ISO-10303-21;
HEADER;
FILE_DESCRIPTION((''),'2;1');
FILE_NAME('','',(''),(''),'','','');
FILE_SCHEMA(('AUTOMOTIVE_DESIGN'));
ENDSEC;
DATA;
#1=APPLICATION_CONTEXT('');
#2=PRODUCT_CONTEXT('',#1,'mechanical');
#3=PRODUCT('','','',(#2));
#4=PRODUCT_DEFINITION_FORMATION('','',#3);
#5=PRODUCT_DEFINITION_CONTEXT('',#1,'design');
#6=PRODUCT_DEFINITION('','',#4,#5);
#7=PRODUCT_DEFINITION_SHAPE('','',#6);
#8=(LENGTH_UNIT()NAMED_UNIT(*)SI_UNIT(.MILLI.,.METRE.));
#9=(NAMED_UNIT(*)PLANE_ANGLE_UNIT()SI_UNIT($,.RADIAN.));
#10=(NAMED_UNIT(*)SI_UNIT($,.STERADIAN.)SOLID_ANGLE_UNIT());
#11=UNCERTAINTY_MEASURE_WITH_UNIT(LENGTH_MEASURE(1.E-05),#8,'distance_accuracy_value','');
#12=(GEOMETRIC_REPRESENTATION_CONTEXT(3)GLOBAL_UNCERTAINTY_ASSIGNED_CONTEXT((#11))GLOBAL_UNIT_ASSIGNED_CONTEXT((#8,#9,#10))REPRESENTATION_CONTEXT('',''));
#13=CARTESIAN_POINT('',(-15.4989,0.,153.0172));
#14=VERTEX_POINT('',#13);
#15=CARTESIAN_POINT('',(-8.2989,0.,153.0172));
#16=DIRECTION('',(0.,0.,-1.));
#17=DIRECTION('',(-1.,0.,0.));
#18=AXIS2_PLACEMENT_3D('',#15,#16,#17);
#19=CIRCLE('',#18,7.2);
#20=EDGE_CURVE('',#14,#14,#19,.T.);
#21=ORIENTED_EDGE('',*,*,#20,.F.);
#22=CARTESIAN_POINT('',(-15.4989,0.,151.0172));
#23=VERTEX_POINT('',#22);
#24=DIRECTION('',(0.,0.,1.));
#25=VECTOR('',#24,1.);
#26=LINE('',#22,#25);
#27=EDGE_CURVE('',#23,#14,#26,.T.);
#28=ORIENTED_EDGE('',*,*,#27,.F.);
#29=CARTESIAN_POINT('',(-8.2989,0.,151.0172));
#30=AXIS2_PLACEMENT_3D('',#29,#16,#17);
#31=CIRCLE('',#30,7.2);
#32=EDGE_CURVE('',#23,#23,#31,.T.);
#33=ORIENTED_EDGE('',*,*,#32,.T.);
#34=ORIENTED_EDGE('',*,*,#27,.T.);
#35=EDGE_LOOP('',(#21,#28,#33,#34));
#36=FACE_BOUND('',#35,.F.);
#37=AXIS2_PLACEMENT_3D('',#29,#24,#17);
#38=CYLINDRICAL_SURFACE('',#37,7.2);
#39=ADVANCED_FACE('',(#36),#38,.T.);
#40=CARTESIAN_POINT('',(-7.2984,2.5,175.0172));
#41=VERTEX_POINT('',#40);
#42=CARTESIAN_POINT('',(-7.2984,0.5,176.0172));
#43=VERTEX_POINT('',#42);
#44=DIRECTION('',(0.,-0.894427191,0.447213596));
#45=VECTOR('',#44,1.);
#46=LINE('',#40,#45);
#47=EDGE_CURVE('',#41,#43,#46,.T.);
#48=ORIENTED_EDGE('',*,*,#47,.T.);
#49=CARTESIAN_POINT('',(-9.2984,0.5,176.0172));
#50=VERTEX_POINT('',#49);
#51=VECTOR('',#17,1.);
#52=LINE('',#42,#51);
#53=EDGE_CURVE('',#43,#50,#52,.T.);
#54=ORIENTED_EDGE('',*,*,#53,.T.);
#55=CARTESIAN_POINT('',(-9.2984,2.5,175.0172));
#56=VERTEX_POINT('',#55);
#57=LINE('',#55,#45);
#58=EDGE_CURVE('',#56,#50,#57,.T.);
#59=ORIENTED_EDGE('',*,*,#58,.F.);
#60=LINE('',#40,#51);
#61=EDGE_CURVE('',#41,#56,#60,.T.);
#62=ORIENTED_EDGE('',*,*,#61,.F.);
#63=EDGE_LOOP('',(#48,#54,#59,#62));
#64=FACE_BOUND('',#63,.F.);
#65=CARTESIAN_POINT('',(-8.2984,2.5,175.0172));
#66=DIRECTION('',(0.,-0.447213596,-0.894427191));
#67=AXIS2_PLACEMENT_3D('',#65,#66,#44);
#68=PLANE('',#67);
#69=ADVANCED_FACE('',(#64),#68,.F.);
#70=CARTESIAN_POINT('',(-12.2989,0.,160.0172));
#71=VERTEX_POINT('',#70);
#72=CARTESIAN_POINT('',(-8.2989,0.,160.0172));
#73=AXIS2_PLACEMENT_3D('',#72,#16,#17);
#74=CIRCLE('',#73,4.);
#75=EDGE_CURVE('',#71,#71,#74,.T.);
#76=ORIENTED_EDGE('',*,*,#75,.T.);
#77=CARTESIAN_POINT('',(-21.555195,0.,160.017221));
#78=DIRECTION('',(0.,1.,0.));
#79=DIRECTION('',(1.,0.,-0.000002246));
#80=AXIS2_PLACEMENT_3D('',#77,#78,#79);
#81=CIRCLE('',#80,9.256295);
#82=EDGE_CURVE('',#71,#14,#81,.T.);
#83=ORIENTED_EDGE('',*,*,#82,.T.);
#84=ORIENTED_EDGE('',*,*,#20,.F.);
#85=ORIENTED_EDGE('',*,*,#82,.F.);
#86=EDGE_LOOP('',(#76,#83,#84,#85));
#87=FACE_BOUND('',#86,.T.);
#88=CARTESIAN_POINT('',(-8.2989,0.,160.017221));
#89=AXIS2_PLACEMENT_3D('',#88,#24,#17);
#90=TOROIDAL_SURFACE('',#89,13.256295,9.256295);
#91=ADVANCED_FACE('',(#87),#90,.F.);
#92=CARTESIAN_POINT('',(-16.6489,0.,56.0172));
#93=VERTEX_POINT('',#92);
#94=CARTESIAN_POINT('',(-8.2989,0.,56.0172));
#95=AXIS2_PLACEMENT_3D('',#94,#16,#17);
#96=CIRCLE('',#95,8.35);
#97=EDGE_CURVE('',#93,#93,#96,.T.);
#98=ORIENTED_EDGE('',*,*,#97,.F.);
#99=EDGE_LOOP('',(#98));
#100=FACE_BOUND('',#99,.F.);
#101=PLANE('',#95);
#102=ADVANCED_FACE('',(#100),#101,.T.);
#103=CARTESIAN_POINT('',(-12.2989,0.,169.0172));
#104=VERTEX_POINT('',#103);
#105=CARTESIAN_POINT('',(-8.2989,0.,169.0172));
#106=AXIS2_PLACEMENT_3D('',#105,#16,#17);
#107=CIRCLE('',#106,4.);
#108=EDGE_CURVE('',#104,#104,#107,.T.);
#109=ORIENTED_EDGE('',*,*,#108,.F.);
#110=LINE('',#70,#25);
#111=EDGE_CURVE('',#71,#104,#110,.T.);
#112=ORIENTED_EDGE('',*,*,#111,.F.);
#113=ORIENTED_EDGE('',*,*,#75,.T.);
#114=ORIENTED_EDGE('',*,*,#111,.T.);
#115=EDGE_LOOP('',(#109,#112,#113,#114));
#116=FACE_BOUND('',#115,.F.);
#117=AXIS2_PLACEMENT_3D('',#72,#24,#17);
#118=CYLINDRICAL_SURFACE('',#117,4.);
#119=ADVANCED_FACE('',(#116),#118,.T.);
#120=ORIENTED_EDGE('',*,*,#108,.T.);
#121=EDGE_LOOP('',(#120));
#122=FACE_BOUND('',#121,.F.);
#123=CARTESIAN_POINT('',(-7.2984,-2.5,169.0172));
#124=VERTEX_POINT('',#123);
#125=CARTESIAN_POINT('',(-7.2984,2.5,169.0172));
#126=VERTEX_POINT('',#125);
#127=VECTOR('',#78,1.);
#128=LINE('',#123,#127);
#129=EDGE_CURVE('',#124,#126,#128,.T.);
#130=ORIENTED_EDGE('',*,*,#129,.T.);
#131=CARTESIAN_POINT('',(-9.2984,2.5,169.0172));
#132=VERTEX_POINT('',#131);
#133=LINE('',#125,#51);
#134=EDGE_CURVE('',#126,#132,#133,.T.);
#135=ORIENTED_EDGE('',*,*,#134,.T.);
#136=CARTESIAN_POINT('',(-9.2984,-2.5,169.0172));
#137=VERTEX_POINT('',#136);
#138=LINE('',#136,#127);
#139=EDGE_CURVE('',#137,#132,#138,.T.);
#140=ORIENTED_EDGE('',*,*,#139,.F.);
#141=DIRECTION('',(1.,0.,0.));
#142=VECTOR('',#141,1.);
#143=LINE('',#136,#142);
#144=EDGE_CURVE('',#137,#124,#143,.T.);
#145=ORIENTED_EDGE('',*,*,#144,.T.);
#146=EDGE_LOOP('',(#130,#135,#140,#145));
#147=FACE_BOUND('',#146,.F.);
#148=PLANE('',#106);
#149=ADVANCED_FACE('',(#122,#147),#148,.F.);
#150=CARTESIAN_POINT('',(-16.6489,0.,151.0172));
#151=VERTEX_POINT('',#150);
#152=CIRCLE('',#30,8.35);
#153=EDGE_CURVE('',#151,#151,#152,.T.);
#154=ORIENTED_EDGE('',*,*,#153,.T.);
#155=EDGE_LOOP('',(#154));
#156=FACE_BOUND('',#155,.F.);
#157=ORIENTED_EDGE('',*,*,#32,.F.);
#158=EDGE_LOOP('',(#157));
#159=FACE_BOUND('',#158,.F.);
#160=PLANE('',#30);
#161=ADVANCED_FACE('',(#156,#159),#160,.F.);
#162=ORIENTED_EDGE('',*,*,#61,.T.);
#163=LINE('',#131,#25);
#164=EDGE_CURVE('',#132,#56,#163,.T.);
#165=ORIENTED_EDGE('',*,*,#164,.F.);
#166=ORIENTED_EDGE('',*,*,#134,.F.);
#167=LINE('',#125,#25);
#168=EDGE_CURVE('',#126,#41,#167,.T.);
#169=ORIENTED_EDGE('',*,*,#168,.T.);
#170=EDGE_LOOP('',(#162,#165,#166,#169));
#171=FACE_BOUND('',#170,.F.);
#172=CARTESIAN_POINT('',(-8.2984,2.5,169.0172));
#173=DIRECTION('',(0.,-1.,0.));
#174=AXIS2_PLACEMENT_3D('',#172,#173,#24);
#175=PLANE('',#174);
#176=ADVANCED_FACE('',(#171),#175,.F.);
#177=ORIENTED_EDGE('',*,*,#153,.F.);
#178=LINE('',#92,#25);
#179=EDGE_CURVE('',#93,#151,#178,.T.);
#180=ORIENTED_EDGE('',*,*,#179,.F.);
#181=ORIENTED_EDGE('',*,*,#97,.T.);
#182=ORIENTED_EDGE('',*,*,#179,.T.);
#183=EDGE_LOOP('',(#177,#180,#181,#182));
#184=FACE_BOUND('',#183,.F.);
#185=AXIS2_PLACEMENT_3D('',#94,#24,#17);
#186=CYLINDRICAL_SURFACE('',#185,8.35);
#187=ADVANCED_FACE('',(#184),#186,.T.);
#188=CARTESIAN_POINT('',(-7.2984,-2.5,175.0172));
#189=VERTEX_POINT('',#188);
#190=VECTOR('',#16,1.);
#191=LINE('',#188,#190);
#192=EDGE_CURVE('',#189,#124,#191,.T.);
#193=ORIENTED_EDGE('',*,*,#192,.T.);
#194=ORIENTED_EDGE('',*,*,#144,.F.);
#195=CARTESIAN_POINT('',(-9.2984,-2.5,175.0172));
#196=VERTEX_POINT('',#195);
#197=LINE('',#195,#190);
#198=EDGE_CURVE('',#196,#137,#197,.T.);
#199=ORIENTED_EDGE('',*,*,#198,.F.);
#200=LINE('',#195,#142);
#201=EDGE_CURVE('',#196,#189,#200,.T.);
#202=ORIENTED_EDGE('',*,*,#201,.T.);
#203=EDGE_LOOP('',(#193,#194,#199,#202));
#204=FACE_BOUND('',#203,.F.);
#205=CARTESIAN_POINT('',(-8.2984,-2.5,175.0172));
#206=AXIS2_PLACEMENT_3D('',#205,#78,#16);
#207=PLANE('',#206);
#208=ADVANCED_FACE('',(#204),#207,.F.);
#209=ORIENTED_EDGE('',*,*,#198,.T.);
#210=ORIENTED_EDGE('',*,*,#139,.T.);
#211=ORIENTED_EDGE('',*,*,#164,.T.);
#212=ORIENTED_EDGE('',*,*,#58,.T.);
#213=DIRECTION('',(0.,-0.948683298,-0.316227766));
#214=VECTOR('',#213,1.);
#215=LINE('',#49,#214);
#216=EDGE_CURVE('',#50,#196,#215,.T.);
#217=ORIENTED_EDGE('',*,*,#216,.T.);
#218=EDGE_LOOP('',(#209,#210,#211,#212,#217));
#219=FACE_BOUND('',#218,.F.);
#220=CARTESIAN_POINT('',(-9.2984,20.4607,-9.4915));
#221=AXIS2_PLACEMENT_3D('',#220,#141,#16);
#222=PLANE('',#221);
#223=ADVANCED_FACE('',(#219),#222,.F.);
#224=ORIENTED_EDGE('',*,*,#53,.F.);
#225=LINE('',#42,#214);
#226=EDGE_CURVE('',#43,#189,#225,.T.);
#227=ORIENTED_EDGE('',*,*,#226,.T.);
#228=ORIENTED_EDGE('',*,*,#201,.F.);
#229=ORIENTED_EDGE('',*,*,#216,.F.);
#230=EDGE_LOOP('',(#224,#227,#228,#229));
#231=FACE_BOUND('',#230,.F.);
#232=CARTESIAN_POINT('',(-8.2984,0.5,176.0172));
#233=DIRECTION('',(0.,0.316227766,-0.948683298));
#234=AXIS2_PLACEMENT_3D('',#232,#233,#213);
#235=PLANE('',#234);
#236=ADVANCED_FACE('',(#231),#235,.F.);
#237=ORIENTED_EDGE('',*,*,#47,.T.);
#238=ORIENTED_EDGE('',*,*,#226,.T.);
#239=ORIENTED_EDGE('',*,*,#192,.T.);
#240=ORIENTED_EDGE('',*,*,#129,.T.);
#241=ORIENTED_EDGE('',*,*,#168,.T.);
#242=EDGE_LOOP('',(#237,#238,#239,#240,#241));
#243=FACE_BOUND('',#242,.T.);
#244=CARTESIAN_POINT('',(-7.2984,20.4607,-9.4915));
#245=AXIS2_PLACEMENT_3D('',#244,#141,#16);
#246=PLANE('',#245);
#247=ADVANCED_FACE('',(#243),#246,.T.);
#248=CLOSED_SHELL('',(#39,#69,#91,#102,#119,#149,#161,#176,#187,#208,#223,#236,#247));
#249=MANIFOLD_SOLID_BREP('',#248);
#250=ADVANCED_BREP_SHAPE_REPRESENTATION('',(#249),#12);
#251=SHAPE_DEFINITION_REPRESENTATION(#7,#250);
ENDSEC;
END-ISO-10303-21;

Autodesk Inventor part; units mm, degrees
ref_plane "YZ Plane" through (0, 0, 0) normal (1, 0, 0) x (0, 1, 0)
ref_plane "XZ Plane" through (0, 0, 0) normal (0, 1, 0) x (-1, 0, 0)
ref_plane "XY Plane" through (0, 0, 0) normal (0, 0, 1) x (1, 0, 0)
sketch "Sketch1" plane through (0, 0, 0) normal (0, 1, 0) x (-1, 0, 0)
  line L0 (8.2989, 56.0172) -> (16.6489, 56.0172)
  line L1 (16.6489, 56.0172) -> (16.6489, 151.0172)
  line L2 (8.2989, 169.0172) -> (8.2989, 56.0172)
  line L3 (16.6489, 151.0172) -> (15.4989, 151.0172)
  line L4 (15.4989, 151.0172) -> (15.4989, 153.0172)
  line L5 (15.4989, 153.0172) -> (12.2989, 153.0172)
  arc A0 (12.2989, 160.0172) -> (15.4989, 153.0172) centre (21.5551, 160.0172) ccw
  line L6 (12.2989, 160.0172) -> (12.2989, 169.0172)
  line L7 (12.2989, 169.0172) -> (8.2989, 169.0172)
  point P0 (0, 0)
  dimension "d0" = 95
  dimension "d1" = 16.7
  dimension "d2" = 2
  dimension "d3" = 14.4
  dimension "d4" = 7
  dimension "d6" = 8
  dimension "d7" = 18
revolve "Revolution1" add sketch "Sketch1" angle 360 about axis through (-8.2989, 0, 169.0172) along (0, 0, -1)
ref_plane "Work Plane1" through (-9.719, 47.979, 70.3641) normal (0.0432, 0.0013, 0.9991) x (-0.9986, -0.0296, 0.0432)
ref_plane "Work Plane2" through (-8.2984, 20.4607, -9.4915) normal (1, 0, 0) x (0, 0, -1)
sketch "Sketch3" plane through (-8.2984, 20.4607, -9.4915) normal (1, 0, 0) x (0, 0, -1)
  line L0 (-184.5087, -22.9607) -> (-178.5087, -22.9607) projected
  line L1 (-178.5087, -22.9607) -> (-178.5087, -17.9607) projected
  line L2 (-178.5087, -17.9607) -> (-184.5087, -17.9607) projected
  line L3 (-184.5087, -17.9607) -> (-185.5087, -19.9607) projected
  line L4 (-185.5087, -19.9607) -> (-184.5087, -22.9607) projected
  point P0 (-9.4915, -20.4607)
extrude "Extrusion2" add sketch "Sketch3" along normal mid plane 2
properties part number "Pelikan426"
